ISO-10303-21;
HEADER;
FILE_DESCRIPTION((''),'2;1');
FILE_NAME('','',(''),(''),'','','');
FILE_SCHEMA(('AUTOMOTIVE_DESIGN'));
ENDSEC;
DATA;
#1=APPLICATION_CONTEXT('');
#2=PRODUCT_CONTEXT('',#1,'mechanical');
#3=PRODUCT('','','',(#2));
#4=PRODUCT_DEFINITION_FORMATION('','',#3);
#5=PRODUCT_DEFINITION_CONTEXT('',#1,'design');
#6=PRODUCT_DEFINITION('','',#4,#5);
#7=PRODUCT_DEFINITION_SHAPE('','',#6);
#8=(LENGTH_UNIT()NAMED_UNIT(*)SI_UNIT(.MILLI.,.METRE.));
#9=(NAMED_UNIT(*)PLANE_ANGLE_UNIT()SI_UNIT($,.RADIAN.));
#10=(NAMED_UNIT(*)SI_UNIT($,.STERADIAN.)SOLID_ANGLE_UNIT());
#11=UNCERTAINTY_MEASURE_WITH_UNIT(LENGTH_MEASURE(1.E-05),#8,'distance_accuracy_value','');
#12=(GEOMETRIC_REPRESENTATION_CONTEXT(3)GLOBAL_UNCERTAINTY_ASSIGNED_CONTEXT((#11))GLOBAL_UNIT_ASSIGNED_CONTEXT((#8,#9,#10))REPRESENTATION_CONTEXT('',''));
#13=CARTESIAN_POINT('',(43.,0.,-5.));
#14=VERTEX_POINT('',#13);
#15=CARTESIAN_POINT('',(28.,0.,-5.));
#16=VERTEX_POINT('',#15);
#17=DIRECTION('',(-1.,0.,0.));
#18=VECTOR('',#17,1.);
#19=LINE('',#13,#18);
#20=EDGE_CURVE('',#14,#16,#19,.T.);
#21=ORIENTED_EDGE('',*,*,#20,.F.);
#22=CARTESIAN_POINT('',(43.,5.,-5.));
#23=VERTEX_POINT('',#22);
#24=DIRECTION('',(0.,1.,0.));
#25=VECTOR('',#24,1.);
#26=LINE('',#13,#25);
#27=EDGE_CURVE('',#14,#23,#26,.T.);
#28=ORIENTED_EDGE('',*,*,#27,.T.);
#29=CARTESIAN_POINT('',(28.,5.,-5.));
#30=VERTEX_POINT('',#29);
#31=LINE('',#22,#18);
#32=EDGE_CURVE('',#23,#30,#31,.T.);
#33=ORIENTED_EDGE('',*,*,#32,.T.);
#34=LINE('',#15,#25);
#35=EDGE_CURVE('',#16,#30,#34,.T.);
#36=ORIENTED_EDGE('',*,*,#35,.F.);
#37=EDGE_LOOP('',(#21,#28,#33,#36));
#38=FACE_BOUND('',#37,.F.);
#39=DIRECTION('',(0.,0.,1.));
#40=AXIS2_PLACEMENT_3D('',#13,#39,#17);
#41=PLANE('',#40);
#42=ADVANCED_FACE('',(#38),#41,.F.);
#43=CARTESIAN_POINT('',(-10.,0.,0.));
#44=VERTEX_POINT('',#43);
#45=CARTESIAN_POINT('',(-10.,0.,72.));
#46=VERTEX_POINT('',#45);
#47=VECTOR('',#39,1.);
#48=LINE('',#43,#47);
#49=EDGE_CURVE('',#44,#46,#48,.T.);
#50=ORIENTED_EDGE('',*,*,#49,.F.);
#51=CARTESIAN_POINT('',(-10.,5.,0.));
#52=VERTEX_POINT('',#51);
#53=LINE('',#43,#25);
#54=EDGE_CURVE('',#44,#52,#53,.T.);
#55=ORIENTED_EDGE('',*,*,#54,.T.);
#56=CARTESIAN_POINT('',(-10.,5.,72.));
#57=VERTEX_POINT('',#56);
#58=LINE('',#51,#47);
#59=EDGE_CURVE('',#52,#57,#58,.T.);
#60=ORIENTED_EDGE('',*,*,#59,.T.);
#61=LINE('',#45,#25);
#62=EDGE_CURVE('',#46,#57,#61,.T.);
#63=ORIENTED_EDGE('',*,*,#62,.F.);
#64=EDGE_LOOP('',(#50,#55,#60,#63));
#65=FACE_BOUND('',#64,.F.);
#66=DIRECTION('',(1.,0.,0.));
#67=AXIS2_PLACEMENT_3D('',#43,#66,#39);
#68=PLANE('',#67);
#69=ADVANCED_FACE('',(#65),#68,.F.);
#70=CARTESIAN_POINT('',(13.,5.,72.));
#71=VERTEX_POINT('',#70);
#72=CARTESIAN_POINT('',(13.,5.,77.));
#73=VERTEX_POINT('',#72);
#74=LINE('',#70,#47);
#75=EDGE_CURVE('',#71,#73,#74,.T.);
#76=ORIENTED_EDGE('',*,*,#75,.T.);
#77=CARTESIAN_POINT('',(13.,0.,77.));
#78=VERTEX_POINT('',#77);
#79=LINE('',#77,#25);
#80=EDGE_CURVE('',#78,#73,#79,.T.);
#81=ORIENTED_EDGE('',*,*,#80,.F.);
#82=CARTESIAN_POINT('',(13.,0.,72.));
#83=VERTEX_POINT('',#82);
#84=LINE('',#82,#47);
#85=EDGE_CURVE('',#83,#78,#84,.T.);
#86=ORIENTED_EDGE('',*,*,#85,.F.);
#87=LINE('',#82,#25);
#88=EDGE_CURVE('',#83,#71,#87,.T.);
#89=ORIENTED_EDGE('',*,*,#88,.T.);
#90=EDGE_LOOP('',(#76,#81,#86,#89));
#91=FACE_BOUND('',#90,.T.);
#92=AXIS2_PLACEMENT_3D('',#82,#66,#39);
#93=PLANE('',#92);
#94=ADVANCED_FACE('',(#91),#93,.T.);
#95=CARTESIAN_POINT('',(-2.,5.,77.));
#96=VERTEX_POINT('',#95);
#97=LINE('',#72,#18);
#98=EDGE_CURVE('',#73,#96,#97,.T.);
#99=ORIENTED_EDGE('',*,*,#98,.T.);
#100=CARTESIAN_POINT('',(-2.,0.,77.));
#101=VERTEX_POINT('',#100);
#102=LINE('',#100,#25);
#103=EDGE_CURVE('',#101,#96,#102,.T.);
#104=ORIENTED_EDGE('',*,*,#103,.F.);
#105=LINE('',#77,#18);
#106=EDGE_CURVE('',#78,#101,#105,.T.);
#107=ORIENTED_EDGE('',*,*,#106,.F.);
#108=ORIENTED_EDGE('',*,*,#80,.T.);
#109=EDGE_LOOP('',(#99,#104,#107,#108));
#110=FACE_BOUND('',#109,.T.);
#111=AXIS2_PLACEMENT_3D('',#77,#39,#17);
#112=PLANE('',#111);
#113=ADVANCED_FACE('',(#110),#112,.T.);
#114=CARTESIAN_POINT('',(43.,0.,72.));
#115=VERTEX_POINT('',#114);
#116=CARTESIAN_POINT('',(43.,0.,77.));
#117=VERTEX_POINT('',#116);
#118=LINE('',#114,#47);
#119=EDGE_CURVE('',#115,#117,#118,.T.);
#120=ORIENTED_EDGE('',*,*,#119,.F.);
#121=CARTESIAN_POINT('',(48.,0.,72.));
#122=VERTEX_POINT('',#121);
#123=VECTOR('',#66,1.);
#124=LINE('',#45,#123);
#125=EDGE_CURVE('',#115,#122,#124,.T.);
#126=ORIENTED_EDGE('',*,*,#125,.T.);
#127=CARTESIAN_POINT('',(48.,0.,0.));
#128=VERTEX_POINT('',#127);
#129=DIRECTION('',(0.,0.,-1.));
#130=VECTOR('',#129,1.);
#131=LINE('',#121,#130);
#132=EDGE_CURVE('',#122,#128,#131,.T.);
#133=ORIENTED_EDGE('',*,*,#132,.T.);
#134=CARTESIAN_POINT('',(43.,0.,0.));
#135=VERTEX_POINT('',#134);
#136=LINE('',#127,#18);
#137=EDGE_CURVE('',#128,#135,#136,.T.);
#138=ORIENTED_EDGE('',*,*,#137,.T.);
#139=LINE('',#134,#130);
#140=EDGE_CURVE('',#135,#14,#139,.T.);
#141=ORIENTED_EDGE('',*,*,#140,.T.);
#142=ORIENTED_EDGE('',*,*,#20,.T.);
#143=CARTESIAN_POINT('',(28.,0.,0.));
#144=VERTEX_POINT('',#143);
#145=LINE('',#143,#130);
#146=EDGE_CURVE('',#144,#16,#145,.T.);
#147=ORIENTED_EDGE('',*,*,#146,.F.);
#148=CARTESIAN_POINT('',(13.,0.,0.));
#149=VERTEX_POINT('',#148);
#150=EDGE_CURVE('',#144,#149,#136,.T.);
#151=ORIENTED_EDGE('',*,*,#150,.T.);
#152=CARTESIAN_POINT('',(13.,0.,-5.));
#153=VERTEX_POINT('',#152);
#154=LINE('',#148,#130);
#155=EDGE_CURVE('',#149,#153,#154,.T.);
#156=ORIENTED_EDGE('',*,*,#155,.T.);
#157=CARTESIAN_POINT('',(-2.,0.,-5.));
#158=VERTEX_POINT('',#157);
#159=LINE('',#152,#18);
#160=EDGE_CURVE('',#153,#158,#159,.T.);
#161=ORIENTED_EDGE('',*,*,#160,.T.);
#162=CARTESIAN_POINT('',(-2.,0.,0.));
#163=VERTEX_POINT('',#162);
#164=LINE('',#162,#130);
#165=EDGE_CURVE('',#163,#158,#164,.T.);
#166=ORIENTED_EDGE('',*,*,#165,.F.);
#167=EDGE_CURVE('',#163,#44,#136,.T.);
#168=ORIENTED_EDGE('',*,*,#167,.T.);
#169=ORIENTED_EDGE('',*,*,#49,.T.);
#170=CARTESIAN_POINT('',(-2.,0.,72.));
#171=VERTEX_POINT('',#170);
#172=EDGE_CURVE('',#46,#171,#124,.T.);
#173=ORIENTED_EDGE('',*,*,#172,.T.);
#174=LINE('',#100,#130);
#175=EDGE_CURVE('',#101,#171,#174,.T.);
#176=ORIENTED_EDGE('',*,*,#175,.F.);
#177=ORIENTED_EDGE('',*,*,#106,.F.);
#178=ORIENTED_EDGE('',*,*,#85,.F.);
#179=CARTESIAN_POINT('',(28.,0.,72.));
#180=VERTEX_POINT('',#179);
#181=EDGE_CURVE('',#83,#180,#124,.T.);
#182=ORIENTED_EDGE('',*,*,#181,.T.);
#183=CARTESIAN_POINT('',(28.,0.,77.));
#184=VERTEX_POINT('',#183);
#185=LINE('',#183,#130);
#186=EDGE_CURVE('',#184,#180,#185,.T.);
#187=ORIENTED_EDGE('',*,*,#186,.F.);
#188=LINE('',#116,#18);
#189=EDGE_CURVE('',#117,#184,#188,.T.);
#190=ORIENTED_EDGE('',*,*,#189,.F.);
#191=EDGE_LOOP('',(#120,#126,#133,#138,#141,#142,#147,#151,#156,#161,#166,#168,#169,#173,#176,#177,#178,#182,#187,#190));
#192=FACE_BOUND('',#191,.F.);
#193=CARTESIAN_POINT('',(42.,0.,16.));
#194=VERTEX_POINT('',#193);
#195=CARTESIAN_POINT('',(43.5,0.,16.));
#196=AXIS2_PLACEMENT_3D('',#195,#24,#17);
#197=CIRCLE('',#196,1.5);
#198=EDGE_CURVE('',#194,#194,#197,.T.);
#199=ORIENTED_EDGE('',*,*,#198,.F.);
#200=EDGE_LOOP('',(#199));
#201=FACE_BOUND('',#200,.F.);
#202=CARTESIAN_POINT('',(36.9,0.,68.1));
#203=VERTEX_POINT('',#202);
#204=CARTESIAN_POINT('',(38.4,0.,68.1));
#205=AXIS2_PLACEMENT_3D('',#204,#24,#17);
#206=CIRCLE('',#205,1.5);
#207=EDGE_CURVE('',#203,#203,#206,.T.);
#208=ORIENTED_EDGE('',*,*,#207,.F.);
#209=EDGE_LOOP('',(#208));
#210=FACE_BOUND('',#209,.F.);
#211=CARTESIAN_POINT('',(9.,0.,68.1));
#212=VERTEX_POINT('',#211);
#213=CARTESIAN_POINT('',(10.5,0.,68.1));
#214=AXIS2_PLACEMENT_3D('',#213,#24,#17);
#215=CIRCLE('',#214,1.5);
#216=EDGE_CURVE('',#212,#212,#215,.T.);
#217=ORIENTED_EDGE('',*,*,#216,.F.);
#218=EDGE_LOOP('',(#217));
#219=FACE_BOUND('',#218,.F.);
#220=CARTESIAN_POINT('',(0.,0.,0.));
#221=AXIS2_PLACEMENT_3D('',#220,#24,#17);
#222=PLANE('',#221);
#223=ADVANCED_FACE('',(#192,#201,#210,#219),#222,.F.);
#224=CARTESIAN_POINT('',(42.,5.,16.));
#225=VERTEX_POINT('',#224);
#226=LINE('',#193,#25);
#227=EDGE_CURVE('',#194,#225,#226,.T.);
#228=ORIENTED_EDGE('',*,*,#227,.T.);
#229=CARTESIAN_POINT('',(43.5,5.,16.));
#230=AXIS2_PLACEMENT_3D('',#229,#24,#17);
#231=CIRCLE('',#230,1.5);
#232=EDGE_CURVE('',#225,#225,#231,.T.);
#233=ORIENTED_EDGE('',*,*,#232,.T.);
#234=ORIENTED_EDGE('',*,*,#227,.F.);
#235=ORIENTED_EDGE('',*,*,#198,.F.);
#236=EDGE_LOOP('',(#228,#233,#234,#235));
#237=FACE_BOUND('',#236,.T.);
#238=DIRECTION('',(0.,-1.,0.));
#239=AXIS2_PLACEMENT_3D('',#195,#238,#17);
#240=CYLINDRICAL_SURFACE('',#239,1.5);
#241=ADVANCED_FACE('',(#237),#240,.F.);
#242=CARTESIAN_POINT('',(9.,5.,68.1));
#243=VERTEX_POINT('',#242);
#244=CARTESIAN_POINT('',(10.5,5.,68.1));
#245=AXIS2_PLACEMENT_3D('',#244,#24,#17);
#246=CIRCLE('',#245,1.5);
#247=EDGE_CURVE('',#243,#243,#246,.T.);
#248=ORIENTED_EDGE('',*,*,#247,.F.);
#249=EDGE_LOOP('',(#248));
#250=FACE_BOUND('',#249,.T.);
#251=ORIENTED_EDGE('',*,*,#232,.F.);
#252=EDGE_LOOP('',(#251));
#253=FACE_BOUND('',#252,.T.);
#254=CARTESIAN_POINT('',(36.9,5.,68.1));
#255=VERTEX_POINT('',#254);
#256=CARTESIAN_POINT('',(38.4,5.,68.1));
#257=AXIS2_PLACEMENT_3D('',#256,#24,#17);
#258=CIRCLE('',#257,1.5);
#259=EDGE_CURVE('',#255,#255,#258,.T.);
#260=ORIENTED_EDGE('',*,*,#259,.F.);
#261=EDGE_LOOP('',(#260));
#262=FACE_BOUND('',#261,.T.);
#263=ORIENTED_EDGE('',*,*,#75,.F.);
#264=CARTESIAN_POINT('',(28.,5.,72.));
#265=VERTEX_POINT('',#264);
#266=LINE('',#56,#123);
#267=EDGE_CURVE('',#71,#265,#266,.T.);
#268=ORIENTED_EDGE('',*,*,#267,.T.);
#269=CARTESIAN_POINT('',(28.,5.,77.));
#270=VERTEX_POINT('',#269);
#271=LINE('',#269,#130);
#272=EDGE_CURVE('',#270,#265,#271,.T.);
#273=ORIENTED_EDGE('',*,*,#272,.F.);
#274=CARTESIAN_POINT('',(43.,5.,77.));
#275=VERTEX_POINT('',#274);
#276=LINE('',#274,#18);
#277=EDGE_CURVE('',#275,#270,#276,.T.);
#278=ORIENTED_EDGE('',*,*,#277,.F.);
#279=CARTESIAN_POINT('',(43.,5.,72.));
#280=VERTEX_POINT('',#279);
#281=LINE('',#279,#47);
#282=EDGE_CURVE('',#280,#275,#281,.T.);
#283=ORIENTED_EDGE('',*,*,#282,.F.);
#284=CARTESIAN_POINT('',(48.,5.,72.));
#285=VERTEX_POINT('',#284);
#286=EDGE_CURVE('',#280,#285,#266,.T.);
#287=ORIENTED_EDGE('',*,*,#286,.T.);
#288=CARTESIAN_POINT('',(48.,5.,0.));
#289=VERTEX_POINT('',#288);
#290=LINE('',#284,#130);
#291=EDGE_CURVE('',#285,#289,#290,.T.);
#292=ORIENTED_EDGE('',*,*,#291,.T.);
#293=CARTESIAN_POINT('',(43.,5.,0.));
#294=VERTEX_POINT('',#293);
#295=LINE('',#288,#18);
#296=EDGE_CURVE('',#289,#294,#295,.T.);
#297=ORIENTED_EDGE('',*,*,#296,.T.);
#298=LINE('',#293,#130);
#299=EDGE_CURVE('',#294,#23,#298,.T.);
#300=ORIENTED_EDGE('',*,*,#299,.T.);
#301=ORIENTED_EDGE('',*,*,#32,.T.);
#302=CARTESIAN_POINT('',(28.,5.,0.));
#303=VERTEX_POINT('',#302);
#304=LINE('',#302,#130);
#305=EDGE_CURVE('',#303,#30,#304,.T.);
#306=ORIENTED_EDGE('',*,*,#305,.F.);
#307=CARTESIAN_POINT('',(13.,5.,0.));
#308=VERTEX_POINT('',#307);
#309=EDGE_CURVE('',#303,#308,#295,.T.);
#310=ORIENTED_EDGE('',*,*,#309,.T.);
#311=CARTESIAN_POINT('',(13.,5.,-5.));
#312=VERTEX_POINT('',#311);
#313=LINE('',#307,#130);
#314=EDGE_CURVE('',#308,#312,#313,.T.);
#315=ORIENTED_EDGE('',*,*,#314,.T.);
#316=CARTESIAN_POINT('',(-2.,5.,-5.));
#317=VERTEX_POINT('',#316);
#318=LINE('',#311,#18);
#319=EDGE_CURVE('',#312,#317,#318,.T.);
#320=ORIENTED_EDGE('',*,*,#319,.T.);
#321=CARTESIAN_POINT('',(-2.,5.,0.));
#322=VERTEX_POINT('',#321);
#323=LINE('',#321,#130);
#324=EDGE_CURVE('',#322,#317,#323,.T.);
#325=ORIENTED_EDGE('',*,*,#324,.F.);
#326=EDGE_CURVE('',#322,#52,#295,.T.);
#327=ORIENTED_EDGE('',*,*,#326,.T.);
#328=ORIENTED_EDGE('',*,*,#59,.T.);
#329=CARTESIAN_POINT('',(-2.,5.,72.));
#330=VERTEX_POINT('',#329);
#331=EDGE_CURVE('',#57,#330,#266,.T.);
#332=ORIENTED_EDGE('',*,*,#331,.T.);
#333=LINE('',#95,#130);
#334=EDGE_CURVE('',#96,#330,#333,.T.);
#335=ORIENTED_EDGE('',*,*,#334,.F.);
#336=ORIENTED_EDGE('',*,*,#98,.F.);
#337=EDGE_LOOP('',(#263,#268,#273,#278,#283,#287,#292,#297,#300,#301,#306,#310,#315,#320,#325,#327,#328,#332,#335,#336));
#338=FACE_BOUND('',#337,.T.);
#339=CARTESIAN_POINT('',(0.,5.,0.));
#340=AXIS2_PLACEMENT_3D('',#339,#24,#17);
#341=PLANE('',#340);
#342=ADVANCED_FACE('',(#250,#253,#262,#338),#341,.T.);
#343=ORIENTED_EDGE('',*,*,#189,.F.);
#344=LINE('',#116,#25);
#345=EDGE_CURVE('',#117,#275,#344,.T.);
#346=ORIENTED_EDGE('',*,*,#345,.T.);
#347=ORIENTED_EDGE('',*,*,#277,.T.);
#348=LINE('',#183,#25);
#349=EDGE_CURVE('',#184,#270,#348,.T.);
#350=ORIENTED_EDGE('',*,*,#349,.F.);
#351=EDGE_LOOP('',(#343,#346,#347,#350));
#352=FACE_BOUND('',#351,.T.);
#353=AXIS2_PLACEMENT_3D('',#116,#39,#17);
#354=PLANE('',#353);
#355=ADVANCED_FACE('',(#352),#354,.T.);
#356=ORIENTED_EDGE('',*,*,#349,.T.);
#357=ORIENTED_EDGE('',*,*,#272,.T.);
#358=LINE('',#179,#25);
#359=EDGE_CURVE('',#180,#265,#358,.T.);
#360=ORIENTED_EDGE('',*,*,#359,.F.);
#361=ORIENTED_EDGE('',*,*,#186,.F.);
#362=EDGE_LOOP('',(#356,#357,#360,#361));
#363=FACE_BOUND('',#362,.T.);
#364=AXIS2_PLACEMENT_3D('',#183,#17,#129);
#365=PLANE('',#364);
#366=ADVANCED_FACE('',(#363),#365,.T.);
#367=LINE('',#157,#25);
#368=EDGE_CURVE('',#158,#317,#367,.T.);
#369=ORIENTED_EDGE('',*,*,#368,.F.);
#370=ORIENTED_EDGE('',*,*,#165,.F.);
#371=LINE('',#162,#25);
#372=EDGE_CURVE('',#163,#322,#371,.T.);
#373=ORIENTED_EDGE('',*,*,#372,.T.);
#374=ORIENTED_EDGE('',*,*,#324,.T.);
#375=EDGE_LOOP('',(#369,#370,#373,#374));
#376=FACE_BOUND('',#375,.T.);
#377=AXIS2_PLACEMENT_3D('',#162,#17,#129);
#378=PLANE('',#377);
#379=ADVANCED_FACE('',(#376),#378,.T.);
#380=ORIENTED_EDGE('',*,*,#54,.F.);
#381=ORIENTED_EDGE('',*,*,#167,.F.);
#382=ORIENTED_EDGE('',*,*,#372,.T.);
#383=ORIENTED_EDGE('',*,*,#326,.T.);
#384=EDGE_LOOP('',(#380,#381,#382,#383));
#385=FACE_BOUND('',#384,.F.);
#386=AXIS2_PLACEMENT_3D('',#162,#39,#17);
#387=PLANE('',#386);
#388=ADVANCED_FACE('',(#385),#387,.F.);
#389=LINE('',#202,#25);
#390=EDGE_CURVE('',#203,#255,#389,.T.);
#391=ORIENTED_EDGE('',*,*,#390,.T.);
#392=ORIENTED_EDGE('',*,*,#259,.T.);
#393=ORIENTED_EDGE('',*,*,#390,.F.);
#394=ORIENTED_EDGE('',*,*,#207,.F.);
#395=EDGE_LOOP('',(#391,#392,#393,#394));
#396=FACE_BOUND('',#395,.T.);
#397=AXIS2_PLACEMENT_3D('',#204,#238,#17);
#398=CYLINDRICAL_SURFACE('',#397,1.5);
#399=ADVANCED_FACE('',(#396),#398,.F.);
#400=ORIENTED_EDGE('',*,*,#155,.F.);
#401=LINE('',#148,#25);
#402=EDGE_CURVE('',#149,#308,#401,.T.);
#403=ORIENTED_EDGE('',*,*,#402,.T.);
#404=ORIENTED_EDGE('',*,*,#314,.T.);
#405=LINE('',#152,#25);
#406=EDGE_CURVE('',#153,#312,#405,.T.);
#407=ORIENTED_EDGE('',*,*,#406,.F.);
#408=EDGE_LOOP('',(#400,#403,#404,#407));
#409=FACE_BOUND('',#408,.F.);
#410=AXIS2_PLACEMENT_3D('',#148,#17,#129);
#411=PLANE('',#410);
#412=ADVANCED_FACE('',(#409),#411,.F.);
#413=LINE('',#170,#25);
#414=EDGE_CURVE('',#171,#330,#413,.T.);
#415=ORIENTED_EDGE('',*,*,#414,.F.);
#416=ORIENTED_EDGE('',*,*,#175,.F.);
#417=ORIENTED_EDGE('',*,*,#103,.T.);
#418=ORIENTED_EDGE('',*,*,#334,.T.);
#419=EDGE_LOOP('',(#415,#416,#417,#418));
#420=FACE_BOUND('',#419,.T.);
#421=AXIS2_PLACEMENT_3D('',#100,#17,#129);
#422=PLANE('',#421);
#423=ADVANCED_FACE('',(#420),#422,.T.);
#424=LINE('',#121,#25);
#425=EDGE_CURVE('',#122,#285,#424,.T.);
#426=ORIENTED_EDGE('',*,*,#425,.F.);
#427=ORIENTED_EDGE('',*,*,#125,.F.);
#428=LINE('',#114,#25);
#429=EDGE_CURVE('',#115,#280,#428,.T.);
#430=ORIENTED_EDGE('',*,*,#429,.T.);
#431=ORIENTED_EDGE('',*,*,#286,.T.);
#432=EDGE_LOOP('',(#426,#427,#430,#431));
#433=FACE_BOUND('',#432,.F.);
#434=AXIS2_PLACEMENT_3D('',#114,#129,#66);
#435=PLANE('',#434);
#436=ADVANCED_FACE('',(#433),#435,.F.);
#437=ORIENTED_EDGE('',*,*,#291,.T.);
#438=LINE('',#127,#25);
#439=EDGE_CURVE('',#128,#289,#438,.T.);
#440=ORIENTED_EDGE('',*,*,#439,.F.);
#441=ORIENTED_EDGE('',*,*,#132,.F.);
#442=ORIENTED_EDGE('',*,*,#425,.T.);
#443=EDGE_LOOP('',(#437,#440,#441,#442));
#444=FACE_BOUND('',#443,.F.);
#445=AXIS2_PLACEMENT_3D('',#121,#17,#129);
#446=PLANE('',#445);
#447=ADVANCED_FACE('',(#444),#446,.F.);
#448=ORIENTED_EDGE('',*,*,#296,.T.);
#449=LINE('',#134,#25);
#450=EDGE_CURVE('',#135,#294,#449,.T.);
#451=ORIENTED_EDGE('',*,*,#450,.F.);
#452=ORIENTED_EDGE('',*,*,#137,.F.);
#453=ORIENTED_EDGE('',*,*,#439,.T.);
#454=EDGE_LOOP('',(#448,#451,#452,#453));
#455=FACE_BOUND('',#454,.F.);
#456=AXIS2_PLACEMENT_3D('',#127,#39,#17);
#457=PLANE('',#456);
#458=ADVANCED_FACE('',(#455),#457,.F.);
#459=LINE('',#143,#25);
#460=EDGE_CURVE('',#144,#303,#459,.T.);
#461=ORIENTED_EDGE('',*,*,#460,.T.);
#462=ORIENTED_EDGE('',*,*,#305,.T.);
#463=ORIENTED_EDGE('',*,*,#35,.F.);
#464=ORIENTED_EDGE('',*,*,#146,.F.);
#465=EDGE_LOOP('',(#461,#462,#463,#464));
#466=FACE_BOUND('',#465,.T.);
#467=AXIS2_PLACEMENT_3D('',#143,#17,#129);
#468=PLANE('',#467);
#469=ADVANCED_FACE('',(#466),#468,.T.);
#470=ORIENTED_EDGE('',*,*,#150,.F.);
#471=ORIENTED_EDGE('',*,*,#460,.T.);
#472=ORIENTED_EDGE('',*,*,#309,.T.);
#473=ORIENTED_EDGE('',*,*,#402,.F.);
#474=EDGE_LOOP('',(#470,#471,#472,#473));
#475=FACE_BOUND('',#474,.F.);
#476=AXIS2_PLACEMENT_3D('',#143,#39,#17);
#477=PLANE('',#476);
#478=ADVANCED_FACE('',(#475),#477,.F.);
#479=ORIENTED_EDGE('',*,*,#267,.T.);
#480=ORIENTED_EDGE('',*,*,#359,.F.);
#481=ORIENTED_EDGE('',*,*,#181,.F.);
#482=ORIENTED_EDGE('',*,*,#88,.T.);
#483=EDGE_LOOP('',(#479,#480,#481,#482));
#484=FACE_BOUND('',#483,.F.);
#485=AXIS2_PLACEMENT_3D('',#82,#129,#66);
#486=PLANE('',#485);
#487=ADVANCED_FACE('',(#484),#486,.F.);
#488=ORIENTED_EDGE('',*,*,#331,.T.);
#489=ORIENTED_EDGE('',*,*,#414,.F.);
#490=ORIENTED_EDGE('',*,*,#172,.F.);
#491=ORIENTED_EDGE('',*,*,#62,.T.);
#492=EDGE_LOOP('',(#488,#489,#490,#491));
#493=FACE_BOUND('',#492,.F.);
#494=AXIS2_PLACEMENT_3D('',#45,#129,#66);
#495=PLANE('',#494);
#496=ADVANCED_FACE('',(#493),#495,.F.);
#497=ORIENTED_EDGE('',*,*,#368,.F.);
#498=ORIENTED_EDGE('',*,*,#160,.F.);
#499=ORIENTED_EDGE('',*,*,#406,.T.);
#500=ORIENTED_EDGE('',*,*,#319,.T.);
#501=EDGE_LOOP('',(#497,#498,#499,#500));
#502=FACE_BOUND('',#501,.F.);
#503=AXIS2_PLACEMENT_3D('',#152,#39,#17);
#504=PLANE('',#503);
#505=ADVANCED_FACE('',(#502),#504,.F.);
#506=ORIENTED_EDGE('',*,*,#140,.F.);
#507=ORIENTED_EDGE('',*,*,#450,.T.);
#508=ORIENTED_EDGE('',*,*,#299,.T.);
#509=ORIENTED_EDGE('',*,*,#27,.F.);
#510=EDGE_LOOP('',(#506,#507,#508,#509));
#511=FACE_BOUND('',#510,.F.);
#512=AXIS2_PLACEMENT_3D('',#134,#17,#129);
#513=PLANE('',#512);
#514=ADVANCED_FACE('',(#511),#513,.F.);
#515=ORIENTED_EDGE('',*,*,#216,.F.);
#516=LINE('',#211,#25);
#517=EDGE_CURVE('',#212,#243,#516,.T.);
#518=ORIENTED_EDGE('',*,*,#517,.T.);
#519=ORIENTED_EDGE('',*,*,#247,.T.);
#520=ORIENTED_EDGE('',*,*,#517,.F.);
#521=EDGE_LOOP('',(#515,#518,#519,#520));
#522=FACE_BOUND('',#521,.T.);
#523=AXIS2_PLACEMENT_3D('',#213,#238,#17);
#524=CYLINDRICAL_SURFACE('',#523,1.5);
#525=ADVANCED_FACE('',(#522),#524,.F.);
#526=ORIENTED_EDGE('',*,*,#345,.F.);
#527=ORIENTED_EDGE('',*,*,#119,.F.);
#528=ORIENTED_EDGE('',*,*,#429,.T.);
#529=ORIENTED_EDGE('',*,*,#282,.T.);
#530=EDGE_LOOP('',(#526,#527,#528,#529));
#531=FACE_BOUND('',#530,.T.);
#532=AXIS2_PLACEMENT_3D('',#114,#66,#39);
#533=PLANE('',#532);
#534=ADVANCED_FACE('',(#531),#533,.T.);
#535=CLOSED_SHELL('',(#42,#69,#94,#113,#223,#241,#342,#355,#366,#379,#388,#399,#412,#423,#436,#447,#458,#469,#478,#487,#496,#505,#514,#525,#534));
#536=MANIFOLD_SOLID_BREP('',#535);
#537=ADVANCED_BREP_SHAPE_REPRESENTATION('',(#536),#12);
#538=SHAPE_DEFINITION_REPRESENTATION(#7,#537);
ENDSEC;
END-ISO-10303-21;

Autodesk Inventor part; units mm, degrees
ref_plane "YZ Plane" through (0, 0, 0) normal (1, 0, 0) x (0, 1, 0)
ref_plane "XZ Plane" through (0, 0, 0) normal (0, 1, 0) x (-1, 0, 0)
ref_plane "XY Plane" through (0, 0, 0) normal (0, 0, 1) x (1, 0, 0)
sketch "草图2" plane through (0, 0, 0) normal (0, 1, 0) x (-1, 0, 0)
  line L0 (2, 0) -> (-13, 0) projected
  line L1 (2, 0) -> (2, -5) projected
  line L2 (-13, -5) -> (2, -5) projected
  line L3 (-13, 0) -> (-13, -5) projected
  line L4 (-28, 0) -> (-43, 0) projected
  line L5 (-28, 0) -> (-28, -5) projected
  line L6 (-43, -5) -> (-28, -5) projected
  line L7 (-43, 0) -> (-43, -5) projected
  line L8 (-48, 0) -> (-48, -5) projected
  line L9 (15, 0) -> (15, -5) projected
  line L10 (23, 72) -> (15, 72) projected
  line L11 (-48, 0) -> (10, 0)
  line L12 (10, 0) -> (10, 72)
  line L13 (10, 72) -> (-48, 72)
  line L14 (-48, 72) -> (-48, 0)
  line L15 (7.3, 2) -> (-46, 2) construction
  line L16 (-46, 2) -> (-46, 70.6) construction
  line L17 (-46, 70.6) -> (7.3, 70.6) construction
  line L18 (7.3, 70.6) -> (7.3, 2) construction
  circle A0 centre (-43.5, 16) radius 1.5
  circle A1 centre (-38.4, 68.1) radius 1.5
  circle A2 centre (-10.5, 68.1) radius 1.5
  line L19 (2, 72) -> (-13, 72)
  line L20 (-13, 72) -> (-13, 77)
  line L21 (-13, 77) -> (2, 77)
  line L22 (2, 77) -> (2, 72)
  line L23 (-28, 72) -> (-43, 72)
  line L24 (-43, 72) -> (-43, 77)
  line L25 (-43, 77) -> (-28, 77)
  line L26 (-28, 77) -> (-28, 72)
  point P0 (0, 0)
  dimension "d1" = 53.3
  dimension "d2" = 68.6
  dimension "d3" = 2
  dimension "d4" = 2
  dimension "d5" = 5
  dimension "d6" = 3
  dimension "d7" = 14
  dimension "d8" = 2.5
  dimension "d9" = 3
  dimension "d10" = 5.1
  dimension "d11" = 52.1
  dimension "d12" = 3
  dimension "d13" = 27.9
  dimension "d14" = 5
extrude "拉伸1" add sketch "草图2" along normal blind 5
properties part number "arduino-fix"
